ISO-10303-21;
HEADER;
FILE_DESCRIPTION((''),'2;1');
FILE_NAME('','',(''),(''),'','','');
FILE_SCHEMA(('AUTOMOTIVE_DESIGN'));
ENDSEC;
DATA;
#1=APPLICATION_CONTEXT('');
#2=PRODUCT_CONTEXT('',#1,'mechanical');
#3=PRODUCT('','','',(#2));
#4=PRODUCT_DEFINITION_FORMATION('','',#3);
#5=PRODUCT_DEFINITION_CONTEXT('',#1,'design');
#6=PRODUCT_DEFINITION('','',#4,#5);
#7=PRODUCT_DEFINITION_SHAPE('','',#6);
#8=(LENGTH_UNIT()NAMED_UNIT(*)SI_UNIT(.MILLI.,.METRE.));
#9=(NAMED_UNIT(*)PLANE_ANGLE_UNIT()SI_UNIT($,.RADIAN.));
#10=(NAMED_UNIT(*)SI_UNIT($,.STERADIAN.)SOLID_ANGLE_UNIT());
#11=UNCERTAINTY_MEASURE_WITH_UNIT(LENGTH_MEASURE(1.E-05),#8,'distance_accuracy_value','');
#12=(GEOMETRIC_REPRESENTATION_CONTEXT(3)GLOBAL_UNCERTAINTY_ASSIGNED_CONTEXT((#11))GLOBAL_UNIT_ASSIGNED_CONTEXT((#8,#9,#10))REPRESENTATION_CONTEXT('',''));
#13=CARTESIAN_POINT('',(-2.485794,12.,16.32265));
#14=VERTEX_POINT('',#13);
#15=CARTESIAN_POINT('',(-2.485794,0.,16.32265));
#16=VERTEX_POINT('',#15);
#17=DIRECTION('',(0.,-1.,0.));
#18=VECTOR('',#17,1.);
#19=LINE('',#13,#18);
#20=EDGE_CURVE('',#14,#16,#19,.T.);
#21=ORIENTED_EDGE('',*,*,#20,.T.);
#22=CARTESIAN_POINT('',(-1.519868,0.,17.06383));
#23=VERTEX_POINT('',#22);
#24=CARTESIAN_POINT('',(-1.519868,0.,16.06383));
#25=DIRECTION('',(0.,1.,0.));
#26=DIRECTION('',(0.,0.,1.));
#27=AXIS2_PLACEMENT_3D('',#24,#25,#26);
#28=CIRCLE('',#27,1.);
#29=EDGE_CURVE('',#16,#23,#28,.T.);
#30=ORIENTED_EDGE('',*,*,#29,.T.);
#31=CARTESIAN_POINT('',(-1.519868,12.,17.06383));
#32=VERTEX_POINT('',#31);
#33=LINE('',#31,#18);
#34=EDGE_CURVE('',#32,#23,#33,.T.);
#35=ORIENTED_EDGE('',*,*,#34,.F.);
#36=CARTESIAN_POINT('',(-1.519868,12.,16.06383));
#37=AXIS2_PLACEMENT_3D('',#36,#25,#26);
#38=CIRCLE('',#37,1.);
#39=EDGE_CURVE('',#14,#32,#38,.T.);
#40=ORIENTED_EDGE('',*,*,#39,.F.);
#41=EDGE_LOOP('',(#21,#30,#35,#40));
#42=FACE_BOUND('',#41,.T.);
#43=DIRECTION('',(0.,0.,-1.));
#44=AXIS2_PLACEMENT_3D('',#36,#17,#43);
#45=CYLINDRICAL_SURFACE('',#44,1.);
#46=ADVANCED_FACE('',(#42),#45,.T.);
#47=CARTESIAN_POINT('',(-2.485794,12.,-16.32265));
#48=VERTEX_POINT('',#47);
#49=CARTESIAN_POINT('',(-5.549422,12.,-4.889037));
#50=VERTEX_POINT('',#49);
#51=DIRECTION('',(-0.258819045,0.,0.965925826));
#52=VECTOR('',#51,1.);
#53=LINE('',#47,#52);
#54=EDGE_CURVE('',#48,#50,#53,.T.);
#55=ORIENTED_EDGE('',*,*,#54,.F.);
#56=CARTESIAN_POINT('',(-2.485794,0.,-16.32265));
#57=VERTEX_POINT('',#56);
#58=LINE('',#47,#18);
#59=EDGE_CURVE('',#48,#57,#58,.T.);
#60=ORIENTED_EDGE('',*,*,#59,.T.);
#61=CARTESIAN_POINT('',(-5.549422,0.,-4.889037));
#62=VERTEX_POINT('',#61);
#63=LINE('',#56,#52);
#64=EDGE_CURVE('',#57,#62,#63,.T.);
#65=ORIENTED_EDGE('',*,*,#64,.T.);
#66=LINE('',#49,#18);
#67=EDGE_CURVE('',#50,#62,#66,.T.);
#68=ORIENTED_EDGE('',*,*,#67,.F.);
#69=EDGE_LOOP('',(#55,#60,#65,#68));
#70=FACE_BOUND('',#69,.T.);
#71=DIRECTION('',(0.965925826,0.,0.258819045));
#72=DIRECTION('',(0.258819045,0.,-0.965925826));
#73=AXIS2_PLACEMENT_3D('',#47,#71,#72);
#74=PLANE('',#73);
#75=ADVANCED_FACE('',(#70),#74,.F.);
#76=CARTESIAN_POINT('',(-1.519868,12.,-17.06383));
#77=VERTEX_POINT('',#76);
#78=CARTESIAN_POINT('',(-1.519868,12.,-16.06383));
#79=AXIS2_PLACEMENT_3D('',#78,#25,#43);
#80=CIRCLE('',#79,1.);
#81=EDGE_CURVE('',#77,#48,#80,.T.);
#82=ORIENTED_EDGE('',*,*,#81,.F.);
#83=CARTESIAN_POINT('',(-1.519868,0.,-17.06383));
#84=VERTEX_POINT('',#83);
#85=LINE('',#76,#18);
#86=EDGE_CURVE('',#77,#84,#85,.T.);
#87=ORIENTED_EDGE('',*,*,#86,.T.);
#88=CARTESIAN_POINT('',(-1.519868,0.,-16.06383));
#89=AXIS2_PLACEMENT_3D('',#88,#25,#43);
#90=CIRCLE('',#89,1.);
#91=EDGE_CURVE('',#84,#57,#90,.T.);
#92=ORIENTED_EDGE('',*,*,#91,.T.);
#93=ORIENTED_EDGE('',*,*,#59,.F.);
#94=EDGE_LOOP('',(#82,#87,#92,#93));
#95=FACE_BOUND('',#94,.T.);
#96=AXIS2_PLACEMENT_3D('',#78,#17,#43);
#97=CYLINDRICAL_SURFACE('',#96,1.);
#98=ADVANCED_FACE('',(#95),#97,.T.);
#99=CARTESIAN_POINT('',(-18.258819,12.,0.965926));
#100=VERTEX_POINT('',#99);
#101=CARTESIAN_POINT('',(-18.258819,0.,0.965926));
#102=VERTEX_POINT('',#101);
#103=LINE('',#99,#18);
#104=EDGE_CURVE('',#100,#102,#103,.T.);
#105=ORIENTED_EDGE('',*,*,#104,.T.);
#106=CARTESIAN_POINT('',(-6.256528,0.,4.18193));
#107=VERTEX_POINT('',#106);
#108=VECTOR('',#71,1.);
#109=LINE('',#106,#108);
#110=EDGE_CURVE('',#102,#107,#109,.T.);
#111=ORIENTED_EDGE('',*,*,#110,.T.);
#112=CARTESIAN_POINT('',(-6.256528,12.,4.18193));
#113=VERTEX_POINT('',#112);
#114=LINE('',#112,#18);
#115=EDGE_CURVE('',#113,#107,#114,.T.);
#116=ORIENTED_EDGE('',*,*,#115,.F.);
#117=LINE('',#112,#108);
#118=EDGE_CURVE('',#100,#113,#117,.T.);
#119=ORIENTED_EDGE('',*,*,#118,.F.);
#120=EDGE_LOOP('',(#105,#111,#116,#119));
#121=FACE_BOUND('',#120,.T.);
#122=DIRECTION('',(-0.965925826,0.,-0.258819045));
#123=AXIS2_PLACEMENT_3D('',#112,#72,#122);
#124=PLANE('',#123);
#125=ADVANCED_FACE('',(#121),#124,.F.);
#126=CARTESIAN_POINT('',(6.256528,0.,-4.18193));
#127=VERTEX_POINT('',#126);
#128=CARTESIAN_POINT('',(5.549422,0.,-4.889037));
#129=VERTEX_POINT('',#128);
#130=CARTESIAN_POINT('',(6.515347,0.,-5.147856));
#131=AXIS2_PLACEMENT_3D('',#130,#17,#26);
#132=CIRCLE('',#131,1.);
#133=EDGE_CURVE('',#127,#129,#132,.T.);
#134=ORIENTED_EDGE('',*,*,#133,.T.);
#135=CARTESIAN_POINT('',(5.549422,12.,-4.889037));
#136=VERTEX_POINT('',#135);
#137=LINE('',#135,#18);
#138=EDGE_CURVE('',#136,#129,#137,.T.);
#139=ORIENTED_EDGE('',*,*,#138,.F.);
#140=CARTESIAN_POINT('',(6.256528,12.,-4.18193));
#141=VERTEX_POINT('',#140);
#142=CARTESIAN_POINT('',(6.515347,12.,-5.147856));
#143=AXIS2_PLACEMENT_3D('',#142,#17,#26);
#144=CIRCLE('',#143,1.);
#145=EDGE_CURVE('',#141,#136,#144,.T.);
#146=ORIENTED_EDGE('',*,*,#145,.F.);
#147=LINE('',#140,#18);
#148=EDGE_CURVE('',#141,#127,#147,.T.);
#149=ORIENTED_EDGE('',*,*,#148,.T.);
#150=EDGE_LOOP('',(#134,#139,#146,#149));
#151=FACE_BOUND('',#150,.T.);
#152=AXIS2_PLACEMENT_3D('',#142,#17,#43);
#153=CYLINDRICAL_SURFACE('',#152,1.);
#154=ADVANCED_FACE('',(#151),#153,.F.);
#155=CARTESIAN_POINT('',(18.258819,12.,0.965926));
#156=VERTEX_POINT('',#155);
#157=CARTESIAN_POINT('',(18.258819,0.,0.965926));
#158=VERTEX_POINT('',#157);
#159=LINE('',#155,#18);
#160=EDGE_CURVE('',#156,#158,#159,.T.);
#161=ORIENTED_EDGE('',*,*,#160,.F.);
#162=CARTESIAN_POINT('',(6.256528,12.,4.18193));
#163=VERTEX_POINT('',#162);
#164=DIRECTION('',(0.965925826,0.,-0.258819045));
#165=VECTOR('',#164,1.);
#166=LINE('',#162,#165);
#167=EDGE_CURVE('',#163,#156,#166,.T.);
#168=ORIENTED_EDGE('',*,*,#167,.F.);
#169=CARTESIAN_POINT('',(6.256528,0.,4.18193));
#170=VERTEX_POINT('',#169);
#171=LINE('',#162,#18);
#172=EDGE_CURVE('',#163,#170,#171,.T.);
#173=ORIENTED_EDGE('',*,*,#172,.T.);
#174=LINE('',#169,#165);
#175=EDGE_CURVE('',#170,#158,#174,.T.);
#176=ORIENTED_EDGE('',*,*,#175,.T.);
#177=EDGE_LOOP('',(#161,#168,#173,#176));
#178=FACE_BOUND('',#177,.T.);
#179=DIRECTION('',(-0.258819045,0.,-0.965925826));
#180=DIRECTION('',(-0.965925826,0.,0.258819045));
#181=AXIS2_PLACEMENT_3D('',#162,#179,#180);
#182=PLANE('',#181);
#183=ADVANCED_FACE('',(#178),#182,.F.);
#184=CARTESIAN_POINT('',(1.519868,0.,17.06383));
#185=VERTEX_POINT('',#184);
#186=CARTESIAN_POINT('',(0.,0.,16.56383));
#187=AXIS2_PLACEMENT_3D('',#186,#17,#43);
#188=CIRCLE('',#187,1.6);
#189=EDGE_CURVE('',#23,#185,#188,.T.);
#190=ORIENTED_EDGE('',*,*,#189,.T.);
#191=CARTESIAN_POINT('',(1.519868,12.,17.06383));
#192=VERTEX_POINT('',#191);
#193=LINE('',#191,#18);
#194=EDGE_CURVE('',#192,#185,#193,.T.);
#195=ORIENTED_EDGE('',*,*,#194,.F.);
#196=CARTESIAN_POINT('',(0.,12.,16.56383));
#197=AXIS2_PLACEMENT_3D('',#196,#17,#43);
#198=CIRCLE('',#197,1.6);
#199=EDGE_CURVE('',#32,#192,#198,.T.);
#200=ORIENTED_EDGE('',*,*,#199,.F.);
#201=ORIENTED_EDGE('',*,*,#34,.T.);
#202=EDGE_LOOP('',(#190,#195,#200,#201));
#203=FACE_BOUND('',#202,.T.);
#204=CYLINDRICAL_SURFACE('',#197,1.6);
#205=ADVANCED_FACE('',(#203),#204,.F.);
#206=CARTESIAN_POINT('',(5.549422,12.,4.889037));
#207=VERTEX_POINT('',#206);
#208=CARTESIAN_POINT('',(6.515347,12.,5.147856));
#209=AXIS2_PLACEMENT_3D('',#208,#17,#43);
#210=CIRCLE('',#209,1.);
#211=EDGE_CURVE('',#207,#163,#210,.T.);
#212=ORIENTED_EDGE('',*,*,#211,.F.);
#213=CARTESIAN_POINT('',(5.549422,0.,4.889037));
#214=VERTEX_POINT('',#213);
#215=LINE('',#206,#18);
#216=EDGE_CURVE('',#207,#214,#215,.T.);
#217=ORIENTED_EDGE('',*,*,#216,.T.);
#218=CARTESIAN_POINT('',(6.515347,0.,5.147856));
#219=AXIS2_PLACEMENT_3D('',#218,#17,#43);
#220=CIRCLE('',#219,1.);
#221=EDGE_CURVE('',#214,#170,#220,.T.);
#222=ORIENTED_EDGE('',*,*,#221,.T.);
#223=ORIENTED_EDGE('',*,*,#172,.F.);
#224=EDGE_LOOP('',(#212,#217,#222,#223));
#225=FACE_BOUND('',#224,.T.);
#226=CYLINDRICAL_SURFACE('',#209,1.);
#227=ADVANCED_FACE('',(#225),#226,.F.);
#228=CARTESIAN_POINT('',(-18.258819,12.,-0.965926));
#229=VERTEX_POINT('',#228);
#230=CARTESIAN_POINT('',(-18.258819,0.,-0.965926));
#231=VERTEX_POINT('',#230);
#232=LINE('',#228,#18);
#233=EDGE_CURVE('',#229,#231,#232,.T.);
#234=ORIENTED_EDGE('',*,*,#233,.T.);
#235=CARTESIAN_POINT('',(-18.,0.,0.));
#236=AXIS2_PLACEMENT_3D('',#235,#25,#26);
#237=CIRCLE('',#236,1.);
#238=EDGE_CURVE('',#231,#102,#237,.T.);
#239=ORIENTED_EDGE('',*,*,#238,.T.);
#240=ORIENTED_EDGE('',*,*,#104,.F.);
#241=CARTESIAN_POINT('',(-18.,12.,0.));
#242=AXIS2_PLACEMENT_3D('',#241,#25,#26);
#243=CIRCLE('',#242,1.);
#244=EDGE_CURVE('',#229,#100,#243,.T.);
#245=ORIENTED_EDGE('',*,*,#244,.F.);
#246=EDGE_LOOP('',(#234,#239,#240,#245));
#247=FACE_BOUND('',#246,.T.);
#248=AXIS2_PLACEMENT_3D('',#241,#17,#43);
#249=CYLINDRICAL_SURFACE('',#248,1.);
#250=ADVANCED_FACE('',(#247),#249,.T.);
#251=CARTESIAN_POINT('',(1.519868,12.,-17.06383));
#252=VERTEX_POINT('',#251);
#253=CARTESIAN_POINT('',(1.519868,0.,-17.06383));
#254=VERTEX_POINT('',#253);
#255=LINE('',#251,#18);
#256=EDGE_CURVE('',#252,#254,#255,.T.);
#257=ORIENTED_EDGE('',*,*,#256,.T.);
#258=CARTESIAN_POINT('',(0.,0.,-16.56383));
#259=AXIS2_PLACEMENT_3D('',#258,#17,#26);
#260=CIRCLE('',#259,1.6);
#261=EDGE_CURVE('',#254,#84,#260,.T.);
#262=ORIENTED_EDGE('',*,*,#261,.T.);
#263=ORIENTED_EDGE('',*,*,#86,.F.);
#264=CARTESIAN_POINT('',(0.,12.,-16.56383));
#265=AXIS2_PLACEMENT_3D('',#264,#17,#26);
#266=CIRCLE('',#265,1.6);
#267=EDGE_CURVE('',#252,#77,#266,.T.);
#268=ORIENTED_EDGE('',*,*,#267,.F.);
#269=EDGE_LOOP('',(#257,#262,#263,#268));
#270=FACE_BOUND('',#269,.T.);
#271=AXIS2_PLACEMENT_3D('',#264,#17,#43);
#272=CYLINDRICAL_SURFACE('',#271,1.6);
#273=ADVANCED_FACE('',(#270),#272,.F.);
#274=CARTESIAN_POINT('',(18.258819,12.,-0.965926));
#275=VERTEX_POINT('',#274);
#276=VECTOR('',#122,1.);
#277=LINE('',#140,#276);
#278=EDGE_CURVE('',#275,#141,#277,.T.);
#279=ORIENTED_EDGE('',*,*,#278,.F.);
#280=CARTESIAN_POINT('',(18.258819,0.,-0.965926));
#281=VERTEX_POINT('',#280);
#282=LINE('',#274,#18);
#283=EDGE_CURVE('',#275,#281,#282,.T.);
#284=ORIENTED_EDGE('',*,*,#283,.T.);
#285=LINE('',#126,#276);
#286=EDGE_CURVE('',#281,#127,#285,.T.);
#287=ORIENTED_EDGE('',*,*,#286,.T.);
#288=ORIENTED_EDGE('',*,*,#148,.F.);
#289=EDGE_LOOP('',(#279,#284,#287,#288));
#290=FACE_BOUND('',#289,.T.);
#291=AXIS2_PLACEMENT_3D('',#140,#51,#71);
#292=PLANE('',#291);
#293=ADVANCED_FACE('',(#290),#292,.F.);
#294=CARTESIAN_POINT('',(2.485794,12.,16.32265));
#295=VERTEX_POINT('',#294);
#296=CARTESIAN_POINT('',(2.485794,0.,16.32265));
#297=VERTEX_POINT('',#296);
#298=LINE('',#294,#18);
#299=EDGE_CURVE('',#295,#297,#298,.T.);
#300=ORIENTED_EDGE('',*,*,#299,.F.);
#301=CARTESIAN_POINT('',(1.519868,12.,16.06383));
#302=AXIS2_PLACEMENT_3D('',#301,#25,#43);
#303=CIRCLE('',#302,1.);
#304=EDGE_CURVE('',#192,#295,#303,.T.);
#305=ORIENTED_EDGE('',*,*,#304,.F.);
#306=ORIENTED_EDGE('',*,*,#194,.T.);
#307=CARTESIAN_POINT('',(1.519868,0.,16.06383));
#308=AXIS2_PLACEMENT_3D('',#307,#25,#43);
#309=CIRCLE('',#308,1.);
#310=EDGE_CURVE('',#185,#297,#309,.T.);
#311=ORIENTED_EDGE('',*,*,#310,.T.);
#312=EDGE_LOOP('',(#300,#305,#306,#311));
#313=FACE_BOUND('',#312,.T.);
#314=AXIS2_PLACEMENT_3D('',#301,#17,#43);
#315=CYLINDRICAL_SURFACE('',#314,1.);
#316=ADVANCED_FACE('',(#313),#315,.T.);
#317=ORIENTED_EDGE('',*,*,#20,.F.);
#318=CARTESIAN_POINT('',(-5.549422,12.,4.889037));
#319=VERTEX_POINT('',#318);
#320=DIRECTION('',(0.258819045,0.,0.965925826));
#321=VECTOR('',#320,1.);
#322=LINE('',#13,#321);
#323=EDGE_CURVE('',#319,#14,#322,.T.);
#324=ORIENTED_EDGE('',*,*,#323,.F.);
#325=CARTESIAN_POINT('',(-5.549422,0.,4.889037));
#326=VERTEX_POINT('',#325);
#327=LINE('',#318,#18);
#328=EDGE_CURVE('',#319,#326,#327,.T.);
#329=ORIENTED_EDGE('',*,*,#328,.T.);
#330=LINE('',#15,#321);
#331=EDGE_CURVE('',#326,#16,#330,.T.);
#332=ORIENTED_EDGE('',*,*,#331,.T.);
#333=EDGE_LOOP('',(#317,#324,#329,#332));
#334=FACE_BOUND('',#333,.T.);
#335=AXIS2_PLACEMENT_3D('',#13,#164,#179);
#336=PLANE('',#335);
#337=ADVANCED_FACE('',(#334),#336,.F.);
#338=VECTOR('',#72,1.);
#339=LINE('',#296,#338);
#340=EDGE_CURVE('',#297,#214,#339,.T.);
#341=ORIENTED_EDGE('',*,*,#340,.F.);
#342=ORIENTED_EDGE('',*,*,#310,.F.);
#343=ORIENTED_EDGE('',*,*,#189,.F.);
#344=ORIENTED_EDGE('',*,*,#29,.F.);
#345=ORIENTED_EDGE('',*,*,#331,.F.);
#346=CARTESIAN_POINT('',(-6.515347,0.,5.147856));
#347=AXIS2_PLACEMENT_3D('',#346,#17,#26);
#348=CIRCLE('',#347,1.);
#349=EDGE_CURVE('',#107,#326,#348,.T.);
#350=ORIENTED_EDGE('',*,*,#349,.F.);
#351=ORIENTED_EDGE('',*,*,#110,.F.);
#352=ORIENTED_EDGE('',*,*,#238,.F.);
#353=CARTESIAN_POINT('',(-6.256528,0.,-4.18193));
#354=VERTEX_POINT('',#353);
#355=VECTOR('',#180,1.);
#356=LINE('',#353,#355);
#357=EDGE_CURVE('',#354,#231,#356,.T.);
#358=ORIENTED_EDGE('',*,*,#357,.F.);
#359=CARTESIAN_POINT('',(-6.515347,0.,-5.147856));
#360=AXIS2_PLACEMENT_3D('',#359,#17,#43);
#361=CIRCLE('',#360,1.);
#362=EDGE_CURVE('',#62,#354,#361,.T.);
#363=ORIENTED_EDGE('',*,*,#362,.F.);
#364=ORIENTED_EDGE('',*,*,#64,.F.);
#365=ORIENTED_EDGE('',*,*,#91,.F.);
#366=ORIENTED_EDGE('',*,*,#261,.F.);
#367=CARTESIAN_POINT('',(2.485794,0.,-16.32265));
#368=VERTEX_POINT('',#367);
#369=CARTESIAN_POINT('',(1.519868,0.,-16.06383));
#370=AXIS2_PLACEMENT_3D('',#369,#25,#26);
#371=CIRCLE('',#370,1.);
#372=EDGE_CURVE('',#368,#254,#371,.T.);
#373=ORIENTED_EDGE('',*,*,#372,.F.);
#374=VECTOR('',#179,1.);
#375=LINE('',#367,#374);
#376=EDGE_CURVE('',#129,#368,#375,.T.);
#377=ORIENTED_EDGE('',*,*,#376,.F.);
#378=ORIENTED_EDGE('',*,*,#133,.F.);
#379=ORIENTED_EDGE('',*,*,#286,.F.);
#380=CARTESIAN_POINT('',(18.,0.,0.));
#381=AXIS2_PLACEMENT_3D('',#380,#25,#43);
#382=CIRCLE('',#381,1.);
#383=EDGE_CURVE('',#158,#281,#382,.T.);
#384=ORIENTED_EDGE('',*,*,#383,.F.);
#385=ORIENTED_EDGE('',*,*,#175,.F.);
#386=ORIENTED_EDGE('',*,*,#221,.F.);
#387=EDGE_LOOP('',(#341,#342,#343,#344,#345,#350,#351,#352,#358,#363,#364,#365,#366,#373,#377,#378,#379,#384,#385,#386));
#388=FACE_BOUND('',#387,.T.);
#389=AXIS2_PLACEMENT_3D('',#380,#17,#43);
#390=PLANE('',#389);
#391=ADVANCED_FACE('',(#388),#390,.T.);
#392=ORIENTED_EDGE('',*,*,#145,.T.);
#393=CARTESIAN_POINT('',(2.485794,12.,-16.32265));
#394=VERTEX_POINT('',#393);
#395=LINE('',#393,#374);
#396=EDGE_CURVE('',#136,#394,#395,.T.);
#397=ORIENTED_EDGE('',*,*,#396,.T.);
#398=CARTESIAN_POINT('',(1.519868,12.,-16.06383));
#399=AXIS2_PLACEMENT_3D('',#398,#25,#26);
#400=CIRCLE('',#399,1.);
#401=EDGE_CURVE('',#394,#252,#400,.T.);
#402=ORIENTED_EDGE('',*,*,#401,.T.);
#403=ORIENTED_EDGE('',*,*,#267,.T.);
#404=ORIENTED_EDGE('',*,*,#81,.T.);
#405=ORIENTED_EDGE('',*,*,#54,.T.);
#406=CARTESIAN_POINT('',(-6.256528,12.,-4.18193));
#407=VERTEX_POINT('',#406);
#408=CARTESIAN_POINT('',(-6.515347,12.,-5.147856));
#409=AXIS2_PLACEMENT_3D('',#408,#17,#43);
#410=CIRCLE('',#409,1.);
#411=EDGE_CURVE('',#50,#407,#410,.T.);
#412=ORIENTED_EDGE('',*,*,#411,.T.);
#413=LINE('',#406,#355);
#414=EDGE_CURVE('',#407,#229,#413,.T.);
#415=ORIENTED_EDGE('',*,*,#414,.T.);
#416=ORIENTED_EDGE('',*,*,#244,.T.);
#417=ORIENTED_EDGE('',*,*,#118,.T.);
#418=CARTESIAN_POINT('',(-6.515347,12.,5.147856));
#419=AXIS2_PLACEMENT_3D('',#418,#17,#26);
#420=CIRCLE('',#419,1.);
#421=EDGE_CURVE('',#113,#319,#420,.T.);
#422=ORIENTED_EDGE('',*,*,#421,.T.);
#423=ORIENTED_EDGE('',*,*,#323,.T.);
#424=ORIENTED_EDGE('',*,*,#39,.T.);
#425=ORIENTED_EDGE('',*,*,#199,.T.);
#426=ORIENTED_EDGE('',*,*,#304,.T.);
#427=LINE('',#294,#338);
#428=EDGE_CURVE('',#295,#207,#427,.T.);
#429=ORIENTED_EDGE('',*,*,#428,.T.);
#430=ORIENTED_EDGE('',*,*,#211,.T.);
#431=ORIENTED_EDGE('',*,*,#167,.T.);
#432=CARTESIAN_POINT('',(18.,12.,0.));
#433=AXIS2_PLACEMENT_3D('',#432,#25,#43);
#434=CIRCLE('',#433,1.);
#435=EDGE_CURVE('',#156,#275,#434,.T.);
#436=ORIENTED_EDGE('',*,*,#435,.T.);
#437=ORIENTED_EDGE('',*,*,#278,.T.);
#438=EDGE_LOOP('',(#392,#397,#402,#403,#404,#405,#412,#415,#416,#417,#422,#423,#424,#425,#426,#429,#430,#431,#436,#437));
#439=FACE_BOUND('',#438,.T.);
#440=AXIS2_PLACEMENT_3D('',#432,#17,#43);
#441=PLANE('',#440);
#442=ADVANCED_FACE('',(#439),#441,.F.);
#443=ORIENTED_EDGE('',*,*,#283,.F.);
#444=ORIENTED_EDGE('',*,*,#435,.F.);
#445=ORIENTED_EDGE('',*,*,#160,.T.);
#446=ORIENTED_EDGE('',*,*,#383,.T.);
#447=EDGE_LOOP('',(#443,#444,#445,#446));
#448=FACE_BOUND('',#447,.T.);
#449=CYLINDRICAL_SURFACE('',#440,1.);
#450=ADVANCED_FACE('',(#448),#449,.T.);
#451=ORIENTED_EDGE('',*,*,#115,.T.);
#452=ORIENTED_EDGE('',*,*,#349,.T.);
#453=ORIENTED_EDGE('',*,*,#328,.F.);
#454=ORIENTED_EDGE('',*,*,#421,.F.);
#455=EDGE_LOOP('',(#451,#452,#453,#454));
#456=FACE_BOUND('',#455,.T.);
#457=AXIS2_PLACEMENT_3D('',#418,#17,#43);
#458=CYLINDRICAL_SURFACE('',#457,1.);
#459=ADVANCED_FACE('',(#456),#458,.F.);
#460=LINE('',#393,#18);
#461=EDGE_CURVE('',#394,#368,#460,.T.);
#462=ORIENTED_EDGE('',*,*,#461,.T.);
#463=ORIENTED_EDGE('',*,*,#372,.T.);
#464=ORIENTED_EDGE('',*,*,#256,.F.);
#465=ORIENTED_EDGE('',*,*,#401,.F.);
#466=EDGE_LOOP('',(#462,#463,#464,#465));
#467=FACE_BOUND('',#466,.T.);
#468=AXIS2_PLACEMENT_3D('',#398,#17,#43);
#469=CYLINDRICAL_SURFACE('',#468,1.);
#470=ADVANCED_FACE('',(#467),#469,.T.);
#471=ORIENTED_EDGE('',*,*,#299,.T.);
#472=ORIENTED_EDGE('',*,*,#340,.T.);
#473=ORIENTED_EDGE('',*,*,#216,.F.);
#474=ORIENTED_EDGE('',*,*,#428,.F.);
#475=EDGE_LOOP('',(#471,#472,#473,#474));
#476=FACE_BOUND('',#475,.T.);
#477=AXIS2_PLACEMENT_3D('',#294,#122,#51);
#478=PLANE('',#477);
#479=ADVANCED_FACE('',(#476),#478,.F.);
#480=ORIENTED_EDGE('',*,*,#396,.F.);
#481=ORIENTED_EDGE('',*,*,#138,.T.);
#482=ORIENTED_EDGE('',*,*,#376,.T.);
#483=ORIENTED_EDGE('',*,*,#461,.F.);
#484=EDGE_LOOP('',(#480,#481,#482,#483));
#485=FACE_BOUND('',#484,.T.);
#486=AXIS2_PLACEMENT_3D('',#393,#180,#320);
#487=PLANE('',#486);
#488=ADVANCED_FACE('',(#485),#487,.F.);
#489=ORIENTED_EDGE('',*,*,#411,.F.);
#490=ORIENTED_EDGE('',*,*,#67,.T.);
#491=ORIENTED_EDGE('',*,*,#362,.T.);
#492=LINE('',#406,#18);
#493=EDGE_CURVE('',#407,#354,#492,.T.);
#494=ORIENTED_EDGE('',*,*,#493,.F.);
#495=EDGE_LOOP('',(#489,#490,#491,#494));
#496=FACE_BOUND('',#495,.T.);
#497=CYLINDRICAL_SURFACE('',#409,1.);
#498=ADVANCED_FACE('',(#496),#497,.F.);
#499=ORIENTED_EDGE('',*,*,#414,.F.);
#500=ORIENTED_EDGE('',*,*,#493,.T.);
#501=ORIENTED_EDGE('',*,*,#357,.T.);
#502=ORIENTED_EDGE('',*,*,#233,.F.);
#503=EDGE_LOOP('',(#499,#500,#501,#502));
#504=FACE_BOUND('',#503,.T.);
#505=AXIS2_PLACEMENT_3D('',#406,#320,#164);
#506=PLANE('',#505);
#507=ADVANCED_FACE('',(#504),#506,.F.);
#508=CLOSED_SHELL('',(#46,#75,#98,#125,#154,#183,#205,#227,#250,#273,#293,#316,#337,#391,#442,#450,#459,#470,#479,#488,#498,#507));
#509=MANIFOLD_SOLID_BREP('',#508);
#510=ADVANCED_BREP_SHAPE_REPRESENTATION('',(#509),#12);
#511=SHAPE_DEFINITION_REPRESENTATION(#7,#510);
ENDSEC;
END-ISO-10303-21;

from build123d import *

# Parameters (mm, degrees)
BOSS_EXTRU_1_DEPTH = 12


with BuildPart() as part:
    # Esquisse1 → Boss.-Extru.1 (new body)
    with BuildSketch(Plane(origin=(0, 0, 0), x_dir=(1, 0, 0), z_dir=(0, 1, 0))):
        with BuildLine():
            Line((2.485794242, 16.322649508), (5.549421558, 4.88903671))
            ThreePointArc((5.549421558, 4.88903671), (5.808240603, 4.440748973), (6.256528339, 4.181929928))
            Line((6.256528339, 4.181929928), (18.258819045, 0.965925826))
            ThreePointArc((18.258819045, 0.965925826), (19, 0), (18.258819045, -0.965925826))
            Line((18.258819045, -0.965925826), (6.256528339, -4.181929928))
            ThreePointArc((6.256528339, -4.181929928), (5.808240603, -4.440748973), (5.549421558, -4.88903671))
            Line((5.549421558, -4.88903671), (2.485794242, -16.322649508))
            ThreePointArc((2.485794242, -16.322649508), (2.128629844, -16.857183803), (1.519868415, -17.063830463))
            ThreePointArc((1.519868415, -17.063830463), (0, -14.963830463), (-1.519868415, -17.063830463))
            ThreePointArc((-1.519868415, -17.063830463), (-2.128629844, -16.857183803), (-2.485794242, -16.322649508))
            Line((-2.485794242, -16.322649508), (-5.549421558, -4.88903671))
            ThreePointArc((-5.549421558, -4.88903671), (-5.808240603, -4.440748973), (-6.256528339, -4.181929928))
            Line((-6.256528339, -4.181929928), (-18.258819045, -0.965925826))
            ThreePointArc((-18.258819045, -0.965925826), (-19, 0), (-18.258819045, 0.965925826))
            Line((-18.258819045, 0.965925826), (-6.256528339, 4.181929928))
            ThreePointArc((-6.256528339, 4.181929928), (-5.808240603, 4.440748973), (-5.549421558, 4.88903671))
            Line((-5.549421558, 4.88903671), (-2.485794242, 16.322649508))
            ThreePointArc((-2.485794242, 16.322649508), (-2.128629844, 16.857183803), (-1.519868415, 17.063830463))
            ThreePointArc((-1.519868415, 17.063830463), (0, 14.963830463), (1.519868415, 17.063830463))
            ThreePointArc((1.519868415, 17.063830463), (2.128629844, 16.857183803), (2.485794242, 16.322649508))
        make_face()
    extrude(amount=BOSS_EXTRU_1_DEPTH)


solid = part.part
